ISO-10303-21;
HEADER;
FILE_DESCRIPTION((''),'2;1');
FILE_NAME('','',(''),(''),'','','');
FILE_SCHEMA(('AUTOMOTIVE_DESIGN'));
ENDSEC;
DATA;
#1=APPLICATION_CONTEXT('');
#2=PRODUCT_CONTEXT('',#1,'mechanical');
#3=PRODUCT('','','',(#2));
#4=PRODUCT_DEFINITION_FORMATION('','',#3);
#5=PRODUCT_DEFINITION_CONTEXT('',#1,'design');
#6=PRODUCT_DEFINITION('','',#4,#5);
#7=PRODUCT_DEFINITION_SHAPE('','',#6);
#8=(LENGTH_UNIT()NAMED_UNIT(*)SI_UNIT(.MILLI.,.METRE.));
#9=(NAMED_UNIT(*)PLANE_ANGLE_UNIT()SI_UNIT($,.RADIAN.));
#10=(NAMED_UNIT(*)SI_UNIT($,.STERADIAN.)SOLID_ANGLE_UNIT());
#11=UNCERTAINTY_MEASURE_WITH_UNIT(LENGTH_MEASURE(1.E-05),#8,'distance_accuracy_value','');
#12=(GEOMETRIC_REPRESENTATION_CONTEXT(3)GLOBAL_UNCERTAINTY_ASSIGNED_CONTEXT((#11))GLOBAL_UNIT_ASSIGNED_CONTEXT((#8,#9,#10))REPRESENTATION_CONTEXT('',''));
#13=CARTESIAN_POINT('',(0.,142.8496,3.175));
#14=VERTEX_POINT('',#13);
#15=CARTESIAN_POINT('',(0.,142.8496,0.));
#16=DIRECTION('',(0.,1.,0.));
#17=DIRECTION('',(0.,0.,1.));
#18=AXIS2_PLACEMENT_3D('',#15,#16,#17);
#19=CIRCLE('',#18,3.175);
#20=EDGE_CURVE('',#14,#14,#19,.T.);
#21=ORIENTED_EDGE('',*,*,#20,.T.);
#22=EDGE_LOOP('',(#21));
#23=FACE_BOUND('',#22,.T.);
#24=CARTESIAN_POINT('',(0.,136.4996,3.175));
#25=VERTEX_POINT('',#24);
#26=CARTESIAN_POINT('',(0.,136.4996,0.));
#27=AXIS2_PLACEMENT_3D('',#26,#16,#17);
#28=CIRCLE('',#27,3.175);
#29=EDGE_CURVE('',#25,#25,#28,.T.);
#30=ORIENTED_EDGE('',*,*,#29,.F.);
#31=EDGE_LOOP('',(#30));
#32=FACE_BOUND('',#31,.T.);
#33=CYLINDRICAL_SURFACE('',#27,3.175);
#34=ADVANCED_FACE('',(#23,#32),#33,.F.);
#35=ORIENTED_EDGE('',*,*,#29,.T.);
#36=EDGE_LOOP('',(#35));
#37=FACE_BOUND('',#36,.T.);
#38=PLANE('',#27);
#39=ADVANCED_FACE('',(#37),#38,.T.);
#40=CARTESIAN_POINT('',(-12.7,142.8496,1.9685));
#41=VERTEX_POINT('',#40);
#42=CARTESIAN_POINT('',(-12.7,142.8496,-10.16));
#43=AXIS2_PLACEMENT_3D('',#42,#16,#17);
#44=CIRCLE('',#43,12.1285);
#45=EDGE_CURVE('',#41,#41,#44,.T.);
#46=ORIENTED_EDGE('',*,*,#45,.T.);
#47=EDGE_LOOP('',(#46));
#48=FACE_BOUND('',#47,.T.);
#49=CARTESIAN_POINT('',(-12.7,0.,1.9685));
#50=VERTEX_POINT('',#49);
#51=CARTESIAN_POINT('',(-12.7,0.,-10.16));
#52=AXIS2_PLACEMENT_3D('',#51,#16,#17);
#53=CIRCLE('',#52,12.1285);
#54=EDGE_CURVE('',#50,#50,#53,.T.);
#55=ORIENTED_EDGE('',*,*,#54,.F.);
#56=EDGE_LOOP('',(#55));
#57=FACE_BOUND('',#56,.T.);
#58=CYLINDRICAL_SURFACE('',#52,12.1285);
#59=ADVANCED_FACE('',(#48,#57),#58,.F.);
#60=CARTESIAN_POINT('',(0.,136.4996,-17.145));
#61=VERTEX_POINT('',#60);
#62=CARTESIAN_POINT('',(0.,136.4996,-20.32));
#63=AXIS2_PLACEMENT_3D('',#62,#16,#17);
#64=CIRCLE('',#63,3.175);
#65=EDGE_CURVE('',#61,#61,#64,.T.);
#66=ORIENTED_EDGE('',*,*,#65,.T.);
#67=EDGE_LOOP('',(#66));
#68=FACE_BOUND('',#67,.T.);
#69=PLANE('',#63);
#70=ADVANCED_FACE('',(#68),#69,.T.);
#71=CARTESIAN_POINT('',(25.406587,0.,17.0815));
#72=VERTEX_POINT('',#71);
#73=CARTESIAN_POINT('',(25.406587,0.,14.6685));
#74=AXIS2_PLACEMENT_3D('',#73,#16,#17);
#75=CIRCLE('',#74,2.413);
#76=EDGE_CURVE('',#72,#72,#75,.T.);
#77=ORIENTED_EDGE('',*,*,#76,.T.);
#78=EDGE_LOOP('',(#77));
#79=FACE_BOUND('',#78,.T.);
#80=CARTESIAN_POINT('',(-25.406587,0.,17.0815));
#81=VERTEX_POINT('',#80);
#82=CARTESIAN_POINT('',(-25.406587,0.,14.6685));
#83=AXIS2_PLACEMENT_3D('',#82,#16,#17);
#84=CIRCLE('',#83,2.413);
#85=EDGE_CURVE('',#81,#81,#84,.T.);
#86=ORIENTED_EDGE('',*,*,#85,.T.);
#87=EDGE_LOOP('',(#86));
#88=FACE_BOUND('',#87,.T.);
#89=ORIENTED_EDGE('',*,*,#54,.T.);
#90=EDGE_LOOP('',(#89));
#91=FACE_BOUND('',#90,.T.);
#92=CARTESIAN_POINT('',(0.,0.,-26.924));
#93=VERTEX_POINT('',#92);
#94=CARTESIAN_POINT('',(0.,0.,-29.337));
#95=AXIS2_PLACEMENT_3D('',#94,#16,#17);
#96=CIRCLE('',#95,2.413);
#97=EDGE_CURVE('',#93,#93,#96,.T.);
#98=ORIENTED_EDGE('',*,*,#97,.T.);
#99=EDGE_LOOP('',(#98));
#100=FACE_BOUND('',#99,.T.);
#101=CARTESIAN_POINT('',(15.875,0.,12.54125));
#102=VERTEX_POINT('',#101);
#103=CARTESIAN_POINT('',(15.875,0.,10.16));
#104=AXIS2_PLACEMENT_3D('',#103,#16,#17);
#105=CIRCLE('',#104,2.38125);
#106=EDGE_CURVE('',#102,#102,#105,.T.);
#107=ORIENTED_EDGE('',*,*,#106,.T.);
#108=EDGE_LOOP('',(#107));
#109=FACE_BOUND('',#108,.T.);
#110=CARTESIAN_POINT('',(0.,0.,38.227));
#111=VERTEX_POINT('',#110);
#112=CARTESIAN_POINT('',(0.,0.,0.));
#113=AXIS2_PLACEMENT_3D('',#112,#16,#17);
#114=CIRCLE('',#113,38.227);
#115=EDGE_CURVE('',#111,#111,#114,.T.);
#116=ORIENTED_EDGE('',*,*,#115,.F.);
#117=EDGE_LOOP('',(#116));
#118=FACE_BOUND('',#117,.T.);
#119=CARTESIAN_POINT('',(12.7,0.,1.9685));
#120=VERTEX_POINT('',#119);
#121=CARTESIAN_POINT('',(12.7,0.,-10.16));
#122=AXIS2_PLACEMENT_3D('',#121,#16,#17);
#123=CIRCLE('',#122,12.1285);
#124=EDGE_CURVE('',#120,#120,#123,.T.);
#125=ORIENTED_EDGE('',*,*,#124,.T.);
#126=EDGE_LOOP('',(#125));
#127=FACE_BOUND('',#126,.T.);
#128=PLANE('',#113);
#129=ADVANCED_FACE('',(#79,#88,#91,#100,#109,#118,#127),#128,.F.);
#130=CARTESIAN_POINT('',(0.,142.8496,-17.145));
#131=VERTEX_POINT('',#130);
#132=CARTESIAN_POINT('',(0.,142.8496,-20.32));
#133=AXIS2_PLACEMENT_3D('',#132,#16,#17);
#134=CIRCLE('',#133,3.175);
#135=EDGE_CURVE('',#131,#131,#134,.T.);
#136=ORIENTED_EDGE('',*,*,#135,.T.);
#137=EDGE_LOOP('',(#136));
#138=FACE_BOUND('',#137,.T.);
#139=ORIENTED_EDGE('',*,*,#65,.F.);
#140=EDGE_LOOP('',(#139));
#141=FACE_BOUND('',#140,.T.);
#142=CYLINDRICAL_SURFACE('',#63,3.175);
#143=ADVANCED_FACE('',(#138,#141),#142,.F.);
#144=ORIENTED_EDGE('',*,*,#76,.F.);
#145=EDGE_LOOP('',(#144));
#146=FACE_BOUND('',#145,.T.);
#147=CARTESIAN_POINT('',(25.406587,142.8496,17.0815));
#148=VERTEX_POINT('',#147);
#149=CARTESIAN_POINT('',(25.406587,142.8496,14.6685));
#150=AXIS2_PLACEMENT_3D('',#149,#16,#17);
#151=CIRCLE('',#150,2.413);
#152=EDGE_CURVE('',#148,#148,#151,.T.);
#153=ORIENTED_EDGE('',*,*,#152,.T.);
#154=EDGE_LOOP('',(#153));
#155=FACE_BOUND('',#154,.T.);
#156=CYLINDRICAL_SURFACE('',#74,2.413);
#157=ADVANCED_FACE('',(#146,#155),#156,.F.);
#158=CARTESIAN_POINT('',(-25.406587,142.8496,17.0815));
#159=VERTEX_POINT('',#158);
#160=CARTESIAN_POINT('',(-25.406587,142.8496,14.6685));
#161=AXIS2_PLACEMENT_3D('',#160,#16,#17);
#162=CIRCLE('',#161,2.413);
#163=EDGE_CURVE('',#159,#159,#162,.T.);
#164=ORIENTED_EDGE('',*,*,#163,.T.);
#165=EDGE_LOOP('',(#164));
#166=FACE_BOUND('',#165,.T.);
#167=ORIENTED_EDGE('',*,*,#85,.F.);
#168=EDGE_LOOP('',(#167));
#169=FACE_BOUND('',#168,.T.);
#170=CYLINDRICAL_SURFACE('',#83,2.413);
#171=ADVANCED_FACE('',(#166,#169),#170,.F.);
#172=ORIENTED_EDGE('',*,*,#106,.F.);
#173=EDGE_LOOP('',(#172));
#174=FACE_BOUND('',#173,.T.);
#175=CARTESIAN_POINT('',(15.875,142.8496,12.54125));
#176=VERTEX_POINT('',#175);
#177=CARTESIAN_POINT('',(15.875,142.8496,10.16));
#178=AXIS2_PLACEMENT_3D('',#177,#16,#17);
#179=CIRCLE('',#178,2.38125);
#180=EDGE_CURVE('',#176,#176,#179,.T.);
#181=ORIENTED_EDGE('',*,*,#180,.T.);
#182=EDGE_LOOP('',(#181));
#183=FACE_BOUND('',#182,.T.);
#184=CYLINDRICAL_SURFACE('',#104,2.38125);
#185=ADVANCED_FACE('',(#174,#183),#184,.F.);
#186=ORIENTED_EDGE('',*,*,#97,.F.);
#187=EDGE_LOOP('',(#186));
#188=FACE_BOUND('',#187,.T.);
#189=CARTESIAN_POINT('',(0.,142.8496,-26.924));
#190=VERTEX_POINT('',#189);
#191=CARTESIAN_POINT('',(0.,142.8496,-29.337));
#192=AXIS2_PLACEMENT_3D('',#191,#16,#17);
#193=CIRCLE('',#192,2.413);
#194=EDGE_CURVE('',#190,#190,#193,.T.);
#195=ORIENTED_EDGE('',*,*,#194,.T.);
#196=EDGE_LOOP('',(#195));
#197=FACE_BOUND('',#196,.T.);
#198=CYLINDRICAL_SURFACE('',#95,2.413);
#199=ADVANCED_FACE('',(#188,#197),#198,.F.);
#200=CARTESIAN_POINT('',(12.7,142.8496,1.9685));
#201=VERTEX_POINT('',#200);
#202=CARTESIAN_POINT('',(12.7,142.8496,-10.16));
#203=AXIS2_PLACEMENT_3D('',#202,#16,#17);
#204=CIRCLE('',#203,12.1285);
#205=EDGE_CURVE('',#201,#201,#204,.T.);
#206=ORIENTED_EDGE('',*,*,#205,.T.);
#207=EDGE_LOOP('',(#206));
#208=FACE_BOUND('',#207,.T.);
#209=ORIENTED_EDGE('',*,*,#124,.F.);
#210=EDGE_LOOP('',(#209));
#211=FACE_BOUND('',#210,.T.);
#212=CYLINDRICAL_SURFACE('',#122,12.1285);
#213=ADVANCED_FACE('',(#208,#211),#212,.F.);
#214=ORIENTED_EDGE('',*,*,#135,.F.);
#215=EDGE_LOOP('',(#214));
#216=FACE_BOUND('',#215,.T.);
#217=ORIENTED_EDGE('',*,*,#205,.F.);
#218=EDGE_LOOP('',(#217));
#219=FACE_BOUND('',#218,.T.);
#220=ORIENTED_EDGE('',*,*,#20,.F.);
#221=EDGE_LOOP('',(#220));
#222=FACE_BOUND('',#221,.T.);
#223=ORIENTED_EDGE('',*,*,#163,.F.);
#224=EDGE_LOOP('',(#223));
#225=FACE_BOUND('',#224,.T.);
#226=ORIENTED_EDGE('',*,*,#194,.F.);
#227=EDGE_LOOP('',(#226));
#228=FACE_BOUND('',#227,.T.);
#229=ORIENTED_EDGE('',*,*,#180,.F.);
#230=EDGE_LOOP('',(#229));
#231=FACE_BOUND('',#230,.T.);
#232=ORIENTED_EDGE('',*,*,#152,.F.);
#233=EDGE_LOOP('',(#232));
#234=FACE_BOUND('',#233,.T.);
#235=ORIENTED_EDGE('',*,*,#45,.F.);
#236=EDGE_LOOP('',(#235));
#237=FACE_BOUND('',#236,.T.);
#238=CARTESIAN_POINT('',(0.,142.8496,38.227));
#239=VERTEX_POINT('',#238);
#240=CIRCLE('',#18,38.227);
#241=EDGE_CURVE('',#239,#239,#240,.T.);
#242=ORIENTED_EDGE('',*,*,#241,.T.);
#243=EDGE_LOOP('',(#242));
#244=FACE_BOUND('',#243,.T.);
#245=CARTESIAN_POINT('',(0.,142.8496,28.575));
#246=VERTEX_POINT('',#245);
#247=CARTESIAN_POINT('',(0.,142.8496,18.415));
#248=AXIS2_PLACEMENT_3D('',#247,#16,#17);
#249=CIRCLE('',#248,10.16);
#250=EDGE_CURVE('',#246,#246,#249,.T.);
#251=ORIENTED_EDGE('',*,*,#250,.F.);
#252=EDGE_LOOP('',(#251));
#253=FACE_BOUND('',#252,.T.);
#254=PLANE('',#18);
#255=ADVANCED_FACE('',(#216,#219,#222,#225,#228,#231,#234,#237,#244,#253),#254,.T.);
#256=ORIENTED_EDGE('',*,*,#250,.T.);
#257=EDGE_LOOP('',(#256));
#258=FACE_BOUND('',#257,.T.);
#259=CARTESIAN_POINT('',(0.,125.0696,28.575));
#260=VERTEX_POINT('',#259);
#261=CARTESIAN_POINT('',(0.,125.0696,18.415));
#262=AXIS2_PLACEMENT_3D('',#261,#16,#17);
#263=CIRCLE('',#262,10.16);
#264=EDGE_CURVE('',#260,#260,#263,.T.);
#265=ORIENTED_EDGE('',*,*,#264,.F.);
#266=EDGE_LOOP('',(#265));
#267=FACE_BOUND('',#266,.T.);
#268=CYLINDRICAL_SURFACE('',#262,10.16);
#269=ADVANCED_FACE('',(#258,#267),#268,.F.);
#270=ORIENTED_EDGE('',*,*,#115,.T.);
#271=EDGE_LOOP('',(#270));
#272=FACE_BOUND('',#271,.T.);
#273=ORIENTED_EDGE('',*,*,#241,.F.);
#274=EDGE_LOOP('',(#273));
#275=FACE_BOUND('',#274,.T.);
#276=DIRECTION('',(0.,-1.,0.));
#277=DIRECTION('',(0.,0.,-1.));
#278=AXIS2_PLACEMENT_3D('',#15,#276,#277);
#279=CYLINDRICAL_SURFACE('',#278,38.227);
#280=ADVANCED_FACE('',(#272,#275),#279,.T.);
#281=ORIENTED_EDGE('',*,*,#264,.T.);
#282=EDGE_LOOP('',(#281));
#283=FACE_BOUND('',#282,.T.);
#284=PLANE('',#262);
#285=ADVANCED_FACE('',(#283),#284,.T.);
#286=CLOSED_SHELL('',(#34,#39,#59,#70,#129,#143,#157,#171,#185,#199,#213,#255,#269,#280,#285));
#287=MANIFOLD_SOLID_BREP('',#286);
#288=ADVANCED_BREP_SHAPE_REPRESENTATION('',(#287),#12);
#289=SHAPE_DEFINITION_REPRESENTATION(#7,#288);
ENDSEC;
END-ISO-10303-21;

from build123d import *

# Parameters (mm, degrees)
SKETCH1_R               = 38.227
BOSS_EXTRUDE1_DEPTH     = 142.8496
SKETCH2_R               = 2.413
CUT_EXTRUDE1_DEPTH      = 143.8496
SKETCH3_R               = 12.1285
CUT_EXTRUDE2_DEPTH      = 143.8496
SKETCH4_R               = 3.175
CUT_EXTRUDE3_DEPTH      = 6.35
SKETCH5_R               = 10.16
CUT_EXTRUDE4_DEPTH      = 17.78
SKETCH6_R               = 2.38125
CUT_EXTRUDE5_DEPTH      = 1
CUT_EXTRUDE5_DEPTH_BACK = 143.8496


with BuildPart() as part:
    # Sketch1 → Boss-Extrude1 (new body)
    with BuildSketch(Plane(origin=(0, 0, 0), x_dir=(1, 0, 0), z_dir=(0, 1, 0))):
        Circle(SKETCH1_R)
    extrude(amount=BOSS_EXTRUDE1_DEPTH)

    # Sketch2 → Cut-Extrude1 (cut, through all)
    with BuildSketch(Plane(origin=(0, 142.8496, 0), x_dir=(1, 0, 0), z_dir=(0, 1, 0))):
        with Locations((0, 29.337)):
            Circle(SKETCH2_R)
        with Locations((25.406587271, -14.6685)):
            Circle(SKETCH2_R)
        with Locations((-25.406587271, -14.6685)):
            Circle(SKETCH2_R)
    extrude(amount=-CUT_EXTRUDE1_DEPTH, mode=Mode.SUBTRACT)

    # Sketch3 → Cut-Extrude2 (cut, through all)
    with BuildSketch(Plane(origin=(0, 142.8496, 0), x_dir=(1, 0, 0), z_dir=(0, 1, 0))):
        with Locations((-12.7, 10.16)):
            Circle(SKETCH3_R)
        with Locations((12.7, 10.16)):
            Circle(SKETCH3_R)
    extrude(amount=-CUT_EXTRUDE2_DEPTH, mode=Mode.SUBTRACT)

    # Sketch4 → Cut-Extrude3 (cut)
    with BuildSketch(Plane(origin=(0, 142.8496, 0), x_dir=(1, 0, 0), z_dir=(0, 1, 0))):
        with Locations((0, 20.32)):
            Circle(SKETCH4_R)
        Circle(SKETCH4_R)
    extrude(amount=-CUT_EXTRUDE3_DEPTH, mode=Mode.SUBTRACT)

    # Sketch5 → Cut-Extrude4 (cut)
    with BuildSketch(Plane(origin=(0, 142.8496, 0), x_dir=(1, 0, 0), z_dir=(0, 1, 0))):
        with Locations((0, -18.415)):
            Circle(SKETCH5_R)
    extrude(amount=-CUT_EXTRUDE4_DEPTH, mode=Mode.SUBTRACT)

    # Sketch6 → Cut-Extrude5 (cut, two sides)
    with BuildSketch(Plane(origin=(0, 142.8496, 0), x_dir=(1, 0, 0), z_dir=(0, 1, 0))) as cut_extrude5_sk:
        with Locations((15.875, -10.16)):
            Circle(SKETCH6_R)
    extrude(amount=CUT_EXTRUDE5_DEPTH, mode=Mode.SUBTRACT)
    extrude(cut_extrude5_sk.sketch, amount=-CUT_EXTRUDE5_DEPTH_BACK, mode=Mode.SUBTRACT)


solid = part.part
